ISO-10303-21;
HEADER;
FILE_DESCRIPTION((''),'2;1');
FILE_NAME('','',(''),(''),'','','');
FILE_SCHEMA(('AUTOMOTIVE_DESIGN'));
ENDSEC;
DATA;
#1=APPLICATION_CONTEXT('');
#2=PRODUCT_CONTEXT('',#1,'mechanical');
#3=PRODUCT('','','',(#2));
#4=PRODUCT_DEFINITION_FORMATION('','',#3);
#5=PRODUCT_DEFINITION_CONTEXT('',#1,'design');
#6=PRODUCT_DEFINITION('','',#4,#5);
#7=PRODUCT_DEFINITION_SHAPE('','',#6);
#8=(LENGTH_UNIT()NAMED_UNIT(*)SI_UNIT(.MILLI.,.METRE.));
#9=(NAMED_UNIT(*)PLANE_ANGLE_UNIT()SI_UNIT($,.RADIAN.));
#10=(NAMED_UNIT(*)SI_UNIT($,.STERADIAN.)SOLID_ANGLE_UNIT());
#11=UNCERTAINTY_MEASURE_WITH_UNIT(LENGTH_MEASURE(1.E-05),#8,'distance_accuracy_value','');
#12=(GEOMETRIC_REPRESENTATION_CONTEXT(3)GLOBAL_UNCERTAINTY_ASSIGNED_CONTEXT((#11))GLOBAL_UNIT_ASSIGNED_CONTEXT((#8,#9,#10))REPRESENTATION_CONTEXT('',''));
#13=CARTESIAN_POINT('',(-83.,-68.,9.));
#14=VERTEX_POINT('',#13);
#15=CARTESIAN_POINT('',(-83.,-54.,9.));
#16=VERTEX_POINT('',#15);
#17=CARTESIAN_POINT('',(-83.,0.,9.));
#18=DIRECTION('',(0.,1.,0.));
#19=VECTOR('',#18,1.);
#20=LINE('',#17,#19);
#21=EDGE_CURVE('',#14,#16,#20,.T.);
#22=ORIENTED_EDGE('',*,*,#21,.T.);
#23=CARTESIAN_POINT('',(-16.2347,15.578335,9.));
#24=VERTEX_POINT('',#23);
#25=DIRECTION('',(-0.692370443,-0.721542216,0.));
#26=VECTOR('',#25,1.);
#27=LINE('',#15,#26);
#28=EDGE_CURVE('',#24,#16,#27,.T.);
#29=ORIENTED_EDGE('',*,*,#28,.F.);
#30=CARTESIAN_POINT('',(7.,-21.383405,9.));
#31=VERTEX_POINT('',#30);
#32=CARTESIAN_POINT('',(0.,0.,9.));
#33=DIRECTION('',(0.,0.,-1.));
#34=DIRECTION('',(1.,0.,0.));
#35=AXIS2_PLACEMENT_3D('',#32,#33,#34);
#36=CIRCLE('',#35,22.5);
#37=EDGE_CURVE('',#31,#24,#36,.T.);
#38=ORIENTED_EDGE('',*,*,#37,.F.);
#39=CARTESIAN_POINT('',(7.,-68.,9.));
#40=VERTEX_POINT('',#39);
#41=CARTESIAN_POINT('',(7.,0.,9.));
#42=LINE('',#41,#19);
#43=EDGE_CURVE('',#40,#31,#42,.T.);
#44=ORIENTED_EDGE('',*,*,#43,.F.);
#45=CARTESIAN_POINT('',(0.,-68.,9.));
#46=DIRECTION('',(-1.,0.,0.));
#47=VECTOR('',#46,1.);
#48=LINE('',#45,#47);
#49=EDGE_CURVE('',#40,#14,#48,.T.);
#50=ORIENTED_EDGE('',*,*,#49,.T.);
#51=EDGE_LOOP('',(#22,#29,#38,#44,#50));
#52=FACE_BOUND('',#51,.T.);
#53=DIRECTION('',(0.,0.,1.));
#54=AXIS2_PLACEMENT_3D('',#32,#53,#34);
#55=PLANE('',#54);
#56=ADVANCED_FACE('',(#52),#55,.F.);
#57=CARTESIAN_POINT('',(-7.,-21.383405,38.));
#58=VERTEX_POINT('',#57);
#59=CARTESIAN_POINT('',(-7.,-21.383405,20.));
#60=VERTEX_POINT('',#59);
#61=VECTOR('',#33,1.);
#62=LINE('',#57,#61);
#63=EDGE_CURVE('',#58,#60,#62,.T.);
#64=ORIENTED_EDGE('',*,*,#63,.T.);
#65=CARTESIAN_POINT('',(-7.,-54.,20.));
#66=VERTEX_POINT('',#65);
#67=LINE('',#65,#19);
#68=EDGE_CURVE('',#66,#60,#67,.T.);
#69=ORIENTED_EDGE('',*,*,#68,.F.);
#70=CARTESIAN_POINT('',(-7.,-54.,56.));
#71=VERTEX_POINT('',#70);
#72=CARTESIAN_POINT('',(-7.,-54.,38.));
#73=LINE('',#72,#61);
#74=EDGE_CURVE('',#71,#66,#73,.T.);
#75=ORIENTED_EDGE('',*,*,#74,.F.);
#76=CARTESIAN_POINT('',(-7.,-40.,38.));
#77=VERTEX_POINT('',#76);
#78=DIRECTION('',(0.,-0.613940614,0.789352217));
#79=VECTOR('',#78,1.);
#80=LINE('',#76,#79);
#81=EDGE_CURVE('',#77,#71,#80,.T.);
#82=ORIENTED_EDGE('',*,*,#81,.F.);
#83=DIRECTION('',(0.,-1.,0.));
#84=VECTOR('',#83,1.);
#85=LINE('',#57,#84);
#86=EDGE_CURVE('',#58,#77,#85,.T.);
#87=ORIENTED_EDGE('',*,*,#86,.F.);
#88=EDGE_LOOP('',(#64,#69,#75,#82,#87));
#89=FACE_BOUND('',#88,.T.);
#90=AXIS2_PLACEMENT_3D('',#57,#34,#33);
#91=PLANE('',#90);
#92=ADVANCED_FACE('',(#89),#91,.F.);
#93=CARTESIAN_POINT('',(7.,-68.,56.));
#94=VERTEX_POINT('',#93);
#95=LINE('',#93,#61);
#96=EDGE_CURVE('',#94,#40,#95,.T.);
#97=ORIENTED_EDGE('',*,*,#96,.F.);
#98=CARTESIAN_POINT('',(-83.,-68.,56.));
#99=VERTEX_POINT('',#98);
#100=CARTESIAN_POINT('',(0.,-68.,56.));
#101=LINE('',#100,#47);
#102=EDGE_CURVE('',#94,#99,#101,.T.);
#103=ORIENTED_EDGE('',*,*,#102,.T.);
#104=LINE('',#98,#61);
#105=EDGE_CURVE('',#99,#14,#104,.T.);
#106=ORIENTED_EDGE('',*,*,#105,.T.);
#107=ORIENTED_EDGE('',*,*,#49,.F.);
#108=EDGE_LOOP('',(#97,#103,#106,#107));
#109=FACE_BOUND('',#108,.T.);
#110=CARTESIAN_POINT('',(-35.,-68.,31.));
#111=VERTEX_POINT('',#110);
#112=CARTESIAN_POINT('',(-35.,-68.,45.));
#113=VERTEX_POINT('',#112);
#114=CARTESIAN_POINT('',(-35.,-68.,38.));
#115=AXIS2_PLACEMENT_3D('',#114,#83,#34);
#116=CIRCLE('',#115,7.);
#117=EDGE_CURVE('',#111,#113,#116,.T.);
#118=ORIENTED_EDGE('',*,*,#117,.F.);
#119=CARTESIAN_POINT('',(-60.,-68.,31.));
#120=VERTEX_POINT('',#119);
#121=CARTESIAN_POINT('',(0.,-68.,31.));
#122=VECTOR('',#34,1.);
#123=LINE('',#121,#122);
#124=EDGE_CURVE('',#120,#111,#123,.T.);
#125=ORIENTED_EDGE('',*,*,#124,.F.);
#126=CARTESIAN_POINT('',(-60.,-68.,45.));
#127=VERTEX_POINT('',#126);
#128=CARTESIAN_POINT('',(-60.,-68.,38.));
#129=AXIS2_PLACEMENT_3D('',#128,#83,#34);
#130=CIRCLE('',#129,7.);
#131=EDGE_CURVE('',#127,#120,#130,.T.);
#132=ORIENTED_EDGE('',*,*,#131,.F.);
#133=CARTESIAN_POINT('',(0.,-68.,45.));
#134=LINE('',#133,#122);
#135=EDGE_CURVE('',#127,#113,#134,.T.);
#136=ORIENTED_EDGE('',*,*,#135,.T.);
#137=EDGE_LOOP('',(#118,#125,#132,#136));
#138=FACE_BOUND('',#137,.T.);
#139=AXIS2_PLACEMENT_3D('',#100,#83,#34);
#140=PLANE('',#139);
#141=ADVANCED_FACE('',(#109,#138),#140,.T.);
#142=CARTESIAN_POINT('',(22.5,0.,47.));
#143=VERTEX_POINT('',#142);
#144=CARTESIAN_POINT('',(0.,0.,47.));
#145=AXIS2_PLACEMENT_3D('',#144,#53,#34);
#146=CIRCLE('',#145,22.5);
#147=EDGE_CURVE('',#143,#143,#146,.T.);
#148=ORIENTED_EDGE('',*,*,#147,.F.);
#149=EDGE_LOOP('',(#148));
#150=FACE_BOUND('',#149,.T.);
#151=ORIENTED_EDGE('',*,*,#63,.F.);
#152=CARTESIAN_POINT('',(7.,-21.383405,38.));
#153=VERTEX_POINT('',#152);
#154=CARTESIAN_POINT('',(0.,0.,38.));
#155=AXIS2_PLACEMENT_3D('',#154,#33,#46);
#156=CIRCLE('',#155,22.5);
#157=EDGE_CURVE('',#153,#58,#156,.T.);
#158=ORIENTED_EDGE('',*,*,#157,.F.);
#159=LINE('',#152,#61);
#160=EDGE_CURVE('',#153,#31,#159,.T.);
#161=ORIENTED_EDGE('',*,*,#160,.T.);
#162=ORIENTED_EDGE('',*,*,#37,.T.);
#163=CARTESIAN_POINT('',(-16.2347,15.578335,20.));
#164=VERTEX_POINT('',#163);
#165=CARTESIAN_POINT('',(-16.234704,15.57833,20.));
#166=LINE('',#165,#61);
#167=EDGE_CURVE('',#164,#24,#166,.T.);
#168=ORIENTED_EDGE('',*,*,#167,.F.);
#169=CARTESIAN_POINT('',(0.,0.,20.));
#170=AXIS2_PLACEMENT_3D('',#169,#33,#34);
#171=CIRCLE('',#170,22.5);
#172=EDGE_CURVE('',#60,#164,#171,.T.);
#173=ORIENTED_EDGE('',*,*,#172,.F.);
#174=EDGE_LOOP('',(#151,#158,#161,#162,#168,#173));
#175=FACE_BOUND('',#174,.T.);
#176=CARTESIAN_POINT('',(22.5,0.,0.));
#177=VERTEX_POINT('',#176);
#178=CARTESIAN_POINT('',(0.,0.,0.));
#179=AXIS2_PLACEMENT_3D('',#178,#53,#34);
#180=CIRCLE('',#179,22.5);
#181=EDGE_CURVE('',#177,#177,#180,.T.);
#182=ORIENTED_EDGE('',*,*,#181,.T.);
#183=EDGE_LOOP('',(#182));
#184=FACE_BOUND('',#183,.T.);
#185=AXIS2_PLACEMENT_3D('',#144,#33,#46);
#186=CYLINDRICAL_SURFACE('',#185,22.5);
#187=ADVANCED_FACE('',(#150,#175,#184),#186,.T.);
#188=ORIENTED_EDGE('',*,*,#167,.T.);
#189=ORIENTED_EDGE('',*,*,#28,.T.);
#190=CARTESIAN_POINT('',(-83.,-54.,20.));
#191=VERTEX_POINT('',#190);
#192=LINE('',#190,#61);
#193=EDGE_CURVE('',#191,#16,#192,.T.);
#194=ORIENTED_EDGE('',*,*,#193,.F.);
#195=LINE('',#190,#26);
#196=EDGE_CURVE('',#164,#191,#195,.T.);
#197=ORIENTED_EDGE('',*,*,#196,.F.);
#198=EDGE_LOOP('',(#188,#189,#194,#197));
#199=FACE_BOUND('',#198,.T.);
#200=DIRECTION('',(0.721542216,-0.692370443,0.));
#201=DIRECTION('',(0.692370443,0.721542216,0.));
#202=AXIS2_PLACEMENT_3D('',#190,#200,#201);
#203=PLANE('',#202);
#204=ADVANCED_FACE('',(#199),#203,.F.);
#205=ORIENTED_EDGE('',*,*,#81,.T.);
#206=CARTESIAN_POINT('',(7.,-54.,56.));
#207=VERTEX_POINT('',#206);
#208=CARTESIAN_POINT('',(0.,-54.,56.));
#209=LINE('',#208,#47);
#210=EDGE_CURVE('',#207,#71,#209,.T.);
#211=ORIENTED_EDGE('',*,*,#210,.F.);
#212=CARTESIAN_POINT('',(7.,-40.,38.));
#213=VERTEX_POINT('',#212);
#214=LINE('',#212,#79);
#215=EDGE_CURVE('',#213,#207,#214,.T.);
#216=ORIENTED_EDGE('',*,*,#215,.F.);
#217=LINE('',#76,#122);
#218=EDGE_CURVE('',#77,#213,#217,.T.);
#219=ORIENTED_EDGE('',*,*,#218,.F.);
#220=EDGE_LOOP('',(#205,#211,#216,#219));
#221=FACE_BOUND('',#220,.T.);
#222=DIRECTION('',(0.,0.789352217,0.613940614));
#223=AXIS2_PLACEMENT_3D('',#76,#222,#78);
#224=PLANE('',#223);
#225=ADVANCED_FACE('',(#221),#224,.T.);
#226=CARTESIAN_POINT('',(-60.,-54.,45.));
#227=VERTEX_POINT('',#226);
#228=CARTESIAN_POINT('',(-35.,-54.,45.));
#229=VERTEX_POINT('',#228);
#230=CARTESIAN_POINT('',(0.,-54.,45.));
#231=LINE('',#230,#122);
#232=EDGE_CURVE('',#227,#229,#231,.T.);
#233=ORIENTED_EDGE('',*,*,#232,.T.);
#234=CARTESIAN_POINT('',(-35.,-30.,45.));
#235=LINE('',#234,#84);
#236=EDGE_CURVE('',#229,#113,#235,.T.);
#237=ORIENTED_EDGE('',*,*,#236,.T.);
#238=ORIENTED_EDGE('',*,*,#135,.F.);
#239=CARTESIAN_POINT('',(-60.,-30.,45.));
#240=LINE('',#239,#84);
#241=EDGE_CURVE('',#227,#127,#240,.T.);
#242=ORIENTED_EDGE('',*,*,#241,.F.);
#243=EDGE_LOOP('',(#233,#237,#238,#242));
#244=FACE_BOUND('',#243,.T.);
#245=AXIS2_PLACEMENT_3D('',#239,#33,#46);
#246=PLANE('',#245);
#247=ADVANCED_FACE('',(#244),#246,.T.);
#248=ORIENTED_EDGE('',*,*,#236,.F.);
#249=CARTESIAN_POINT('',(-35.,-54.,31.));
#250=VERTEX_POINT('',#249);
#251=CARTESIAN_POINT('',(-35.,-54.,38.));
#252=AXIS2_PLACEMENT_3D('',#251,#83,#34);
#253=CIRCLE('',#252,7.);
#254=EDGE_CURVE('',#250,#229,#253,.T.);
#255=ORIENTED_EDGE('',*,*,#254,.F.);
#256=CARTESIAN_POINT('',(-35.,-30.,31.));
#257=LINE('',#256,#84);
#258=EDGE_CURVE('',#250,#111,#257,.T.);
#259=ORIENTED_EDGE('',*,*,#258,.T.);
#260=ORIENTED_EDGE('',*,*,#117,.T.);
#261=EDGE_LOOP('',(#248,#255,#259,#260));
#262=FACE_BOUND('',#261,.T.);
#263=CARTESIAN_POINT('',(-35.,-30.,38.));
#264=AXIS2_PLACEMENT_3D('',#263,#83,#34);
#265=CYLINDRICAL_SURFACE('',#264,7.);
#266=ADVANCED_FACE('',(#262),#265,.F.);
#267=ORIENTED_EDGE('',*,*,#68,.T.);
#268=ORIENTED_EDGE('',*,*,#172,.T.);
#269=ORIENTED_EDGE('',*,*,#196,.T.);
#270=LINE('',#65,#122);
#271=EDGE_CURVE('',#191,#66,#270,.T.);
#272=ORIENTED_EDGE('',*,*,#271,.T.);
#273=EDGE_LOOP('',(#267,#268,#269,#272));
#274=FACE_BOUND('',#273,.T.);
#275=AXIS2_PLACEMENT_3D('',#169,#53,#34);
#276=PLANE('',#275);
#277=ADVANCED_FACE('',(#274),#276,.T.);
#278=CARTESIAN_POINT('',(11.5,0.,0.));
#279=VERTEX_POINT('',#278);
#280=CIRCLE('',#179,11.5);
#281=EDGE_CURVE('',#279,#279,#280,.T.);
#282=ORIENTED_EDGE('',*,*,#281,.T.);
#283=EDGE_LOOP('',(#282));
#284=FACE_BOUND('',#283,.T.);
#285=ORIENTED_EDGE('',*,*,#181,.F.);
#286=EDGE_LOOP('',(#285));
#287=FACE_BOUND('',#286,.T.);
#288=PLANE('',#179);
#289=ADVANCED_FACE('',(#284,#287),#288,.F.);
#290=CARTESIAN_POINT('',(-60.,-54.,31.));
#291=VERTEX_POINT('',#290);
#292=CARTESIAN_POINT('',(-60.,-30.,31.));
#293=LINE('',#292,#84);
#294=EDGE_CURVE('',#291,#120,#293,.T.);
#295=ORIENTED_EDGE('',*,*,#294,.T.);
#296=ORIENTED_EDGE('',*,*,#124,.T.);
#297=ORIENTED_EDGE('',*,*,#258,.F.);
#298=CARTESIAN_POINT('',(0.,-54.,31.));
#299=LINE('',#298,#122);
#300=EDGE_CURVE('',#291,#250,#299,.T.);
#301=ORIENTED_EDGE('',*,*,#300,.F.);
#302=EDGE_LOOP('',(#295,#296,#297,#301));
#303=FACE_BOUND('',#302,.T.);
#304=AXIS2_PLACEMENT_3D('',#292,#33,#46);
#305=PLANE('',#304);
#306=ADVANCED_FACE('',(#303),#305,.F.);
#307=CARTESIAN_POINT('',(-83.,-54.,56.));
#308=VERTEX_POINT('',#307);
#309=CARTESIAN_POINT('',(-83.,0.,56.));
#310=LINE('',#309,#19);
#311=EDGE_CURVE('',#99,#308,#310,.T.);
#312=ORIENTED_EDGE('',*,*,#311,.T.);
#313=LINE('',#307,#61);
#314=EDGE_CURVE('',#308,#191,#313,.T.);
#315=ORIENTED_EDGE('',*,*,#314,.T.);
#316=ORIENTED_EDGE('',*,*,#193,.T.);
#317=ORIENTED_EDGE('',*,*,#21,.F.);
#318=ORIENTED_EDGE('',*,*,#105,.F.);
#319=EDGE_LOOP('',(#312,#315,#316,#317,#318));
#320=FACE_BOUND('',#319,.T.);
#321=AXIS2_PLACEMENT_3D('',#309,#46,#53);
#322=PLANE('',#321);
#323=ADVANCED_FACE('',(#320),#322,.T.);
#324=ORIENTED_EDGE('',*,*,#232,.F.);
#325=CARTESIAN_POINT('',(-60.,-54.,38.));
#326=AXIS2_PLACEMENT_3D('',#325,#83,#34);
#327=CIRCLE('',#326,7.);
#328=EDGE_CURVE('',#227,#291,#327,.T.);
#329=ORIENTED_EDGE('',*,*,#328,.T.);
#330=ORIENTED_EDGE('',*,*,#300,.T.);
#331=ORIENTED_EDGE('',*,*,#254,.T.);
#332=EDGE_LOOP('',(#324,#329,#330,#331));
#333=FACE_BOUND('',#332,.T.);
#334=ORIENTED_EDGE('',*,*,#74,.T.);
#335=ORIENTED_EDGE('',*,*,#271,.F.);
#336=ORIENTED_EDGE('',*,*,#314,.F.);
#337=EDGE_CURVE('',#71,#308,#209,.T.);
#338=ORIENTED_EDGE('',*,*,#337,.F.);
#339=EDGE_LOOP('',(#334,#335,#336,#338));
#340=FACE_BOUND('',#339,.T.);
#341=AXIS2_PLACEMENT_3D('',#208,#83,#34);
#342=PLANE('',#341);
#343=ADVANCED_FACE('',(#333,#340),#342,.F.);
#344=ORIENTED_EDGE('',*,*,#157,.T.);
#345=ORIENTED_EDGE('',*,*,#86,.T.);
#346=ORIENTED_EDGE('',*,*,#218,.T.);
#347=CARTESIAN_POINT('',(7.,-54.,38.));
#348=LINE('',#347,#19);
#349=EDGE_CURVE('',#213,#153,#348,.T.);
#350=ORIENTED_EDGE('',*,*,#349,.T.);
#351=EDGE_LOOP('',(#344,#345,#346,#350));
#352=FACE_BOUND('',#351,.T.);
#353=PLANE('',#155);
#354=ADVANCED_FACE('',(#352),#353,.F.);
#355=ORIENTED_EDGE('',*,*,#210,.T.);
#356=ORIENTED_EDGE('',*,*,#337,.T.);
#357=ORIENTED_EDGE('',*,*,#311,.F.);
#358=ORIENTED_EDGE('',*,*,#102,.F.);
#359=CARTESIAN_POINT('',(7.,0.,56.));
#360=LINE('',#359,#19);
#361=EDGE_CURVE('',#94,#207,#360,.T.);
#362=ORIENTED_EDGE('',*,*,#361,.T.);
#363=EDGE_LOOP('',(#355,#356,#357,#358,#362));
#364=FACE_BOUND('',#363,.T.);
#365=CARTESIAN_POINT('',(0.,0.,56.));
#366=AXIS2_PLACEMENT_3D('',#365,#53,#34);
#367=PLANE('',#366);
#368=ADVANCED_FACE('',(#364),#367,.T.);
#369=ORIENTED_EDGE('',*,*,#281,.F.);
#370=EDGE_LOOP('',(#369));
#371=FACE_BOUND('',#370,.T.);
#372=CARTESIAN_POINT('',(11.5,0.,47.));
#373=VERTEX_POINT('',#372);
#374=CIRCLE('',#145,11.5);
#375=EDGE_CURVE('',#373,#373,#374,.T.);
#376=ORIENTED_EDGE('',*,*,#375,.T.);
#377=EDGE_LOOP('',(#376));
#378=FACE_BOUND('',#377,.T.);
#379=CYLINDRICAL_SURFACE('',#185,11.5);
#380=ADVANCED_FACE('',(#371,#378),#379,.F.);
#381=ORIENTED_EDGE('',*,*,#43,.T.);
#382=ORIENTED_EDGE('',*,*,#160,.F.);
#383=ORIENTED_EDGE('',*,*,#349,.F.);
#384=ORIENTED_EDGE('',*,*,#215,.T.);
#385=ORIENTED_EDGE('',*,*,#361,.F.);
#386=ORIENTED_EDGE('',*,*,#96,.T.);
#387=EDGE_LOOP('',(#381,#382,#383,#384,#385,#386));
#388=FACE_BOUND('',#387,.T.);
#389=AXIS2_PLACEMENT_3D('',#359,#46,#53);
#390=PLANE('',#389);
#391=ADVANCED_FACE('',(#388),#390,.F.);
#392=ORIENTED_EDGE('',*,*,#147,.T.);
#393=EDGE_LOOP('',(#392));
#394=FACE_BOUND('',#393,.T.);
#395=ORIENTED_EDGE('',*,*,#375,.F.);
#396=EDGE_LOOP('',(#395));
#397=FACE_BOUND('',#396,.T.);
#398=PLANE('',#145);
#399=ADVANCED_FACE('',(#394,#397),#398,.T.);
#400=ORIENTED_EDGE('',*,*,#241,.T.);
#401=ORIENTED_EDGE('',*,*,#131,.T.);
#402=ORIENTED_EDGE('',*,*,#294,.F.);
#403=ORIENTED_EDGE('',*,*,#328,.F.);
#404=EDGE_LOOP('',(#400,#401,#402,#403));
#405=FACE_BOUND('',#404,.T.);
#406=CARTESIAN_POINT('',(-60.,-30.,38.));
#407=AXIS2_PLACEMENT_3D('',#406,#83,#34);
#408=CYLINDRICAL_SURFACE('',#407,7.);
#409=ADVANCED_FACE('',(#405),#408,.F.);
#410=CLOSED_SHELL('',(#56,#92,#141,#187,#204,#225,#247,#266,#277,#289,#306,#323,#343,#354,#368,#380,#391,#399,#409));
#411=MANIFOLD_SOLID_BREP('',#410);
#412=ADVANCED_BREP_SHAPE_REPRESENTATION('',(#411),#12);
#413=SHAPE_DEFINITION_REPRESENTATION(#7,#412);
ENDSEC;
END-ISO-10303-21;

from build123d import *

# Parameters (mm, degrees)
SKETCH_1_R          = 22.5
SKETCH_1_R_2        = 11.5
EXTRUDE_1_DEPTH     = 47
EXTRUDE_2_DEPTH     = 47
EXTRUDE_3_DEPTH     = 11
EXTRUDE_10_DEPTH    = 29
EXTRUDE_11_DEPTH    = 14
CUT_EXTRUDE_1_DEPTH = 138


with BuildPart() as part:
    # 草图1 → 凸台-拉伸1 (new body)
    with BuildSketch(Plane.XY):
        Circle(SKETCH_1_R)
        Circle(SKETCH_1_R_2, mode=Mode.SUBTRACT)
    extrude(amount=EXTRUDE_1_DEPTH)



with BuildPart() as body_2:
    # 草图3 → 凸台-拉伸2 (new body)
    with BuildSketch(Plane.XY.offset(9)):
        Polygon((-83, -68), (0, -68), (7, -68), (7, -54), (-83, -54), align=None)
    extrude(amount=EXTRUDE_2_DEPTH)


with BuildPart() as part_1:
    add(part.part)

    add(body_2.part)  # 凸台-拉伸3 merges body 2
    # 草图4 → 凸台-拉伸3 (add)
    with BuildSketch(Plane.XY.offset(9)):
        with BuildLine():
            Line((-83, -54), (-16.234704276, 15.578330368))
            ThreePointArc((-16.234704276, 15.578330368), (-21.829002199, -5.453866793), (-7, -21.38340478))
            Line((-7, -21.38340478), (-7, -54))
            Line((-7, -54), (-83, -54))
        make_face()
    extrude(amount=EXTRUDE_3_DEPTH)

    # 草图6 → 凸台-拉伸10 (add)
    with BuildSketch(Plane.XY.offset(9)):
        with BuildLine():
            Line((-7, -21.38340478), (-7, -54))
            Line((-7, -54), (7, -54))
            Line((7, -54), (7, -21.38340478))
            ThreePointArc((7, -21.38340478), (0, -22.5), (-7, -21.38340478))
        make_face()
    extrude(amount=EXTRUDE_10_DEPTH)

    # 草图7 → 凸台-拉伸11 (add)
    with BuildSketch(Plane(origin=(7, 0, 0), x_dir=(0, 0, -1), z_dir=(1, 0, 0))):
        Polygon((-38, -54), (-38, -40), (-56, -54), align=None)
    extrude(amount=-EXTRUDE_11_DEPTH)

    # 草图8 → 切除-拉伸1 (cut)
    with BuildSketch(Plane(origin=(0, -168, 0), x_dir=(-1, 0, 0), z_dir=(0, -1, 0))):
        with BuildLine():
            Line((60, -45), (35, -45))
            ThreePointArc((35, -45), (28, -38), (35, -31))
            Line((35, -31), (60, -31))
            ThreePointArc((60, -31), (67, -38), (60, -45))
        make_face()
    extrude(amount=-CUT_EXTRUDE_1_DEPTH, mode=Mode.SUBTRACT)


solid = part_1.part
